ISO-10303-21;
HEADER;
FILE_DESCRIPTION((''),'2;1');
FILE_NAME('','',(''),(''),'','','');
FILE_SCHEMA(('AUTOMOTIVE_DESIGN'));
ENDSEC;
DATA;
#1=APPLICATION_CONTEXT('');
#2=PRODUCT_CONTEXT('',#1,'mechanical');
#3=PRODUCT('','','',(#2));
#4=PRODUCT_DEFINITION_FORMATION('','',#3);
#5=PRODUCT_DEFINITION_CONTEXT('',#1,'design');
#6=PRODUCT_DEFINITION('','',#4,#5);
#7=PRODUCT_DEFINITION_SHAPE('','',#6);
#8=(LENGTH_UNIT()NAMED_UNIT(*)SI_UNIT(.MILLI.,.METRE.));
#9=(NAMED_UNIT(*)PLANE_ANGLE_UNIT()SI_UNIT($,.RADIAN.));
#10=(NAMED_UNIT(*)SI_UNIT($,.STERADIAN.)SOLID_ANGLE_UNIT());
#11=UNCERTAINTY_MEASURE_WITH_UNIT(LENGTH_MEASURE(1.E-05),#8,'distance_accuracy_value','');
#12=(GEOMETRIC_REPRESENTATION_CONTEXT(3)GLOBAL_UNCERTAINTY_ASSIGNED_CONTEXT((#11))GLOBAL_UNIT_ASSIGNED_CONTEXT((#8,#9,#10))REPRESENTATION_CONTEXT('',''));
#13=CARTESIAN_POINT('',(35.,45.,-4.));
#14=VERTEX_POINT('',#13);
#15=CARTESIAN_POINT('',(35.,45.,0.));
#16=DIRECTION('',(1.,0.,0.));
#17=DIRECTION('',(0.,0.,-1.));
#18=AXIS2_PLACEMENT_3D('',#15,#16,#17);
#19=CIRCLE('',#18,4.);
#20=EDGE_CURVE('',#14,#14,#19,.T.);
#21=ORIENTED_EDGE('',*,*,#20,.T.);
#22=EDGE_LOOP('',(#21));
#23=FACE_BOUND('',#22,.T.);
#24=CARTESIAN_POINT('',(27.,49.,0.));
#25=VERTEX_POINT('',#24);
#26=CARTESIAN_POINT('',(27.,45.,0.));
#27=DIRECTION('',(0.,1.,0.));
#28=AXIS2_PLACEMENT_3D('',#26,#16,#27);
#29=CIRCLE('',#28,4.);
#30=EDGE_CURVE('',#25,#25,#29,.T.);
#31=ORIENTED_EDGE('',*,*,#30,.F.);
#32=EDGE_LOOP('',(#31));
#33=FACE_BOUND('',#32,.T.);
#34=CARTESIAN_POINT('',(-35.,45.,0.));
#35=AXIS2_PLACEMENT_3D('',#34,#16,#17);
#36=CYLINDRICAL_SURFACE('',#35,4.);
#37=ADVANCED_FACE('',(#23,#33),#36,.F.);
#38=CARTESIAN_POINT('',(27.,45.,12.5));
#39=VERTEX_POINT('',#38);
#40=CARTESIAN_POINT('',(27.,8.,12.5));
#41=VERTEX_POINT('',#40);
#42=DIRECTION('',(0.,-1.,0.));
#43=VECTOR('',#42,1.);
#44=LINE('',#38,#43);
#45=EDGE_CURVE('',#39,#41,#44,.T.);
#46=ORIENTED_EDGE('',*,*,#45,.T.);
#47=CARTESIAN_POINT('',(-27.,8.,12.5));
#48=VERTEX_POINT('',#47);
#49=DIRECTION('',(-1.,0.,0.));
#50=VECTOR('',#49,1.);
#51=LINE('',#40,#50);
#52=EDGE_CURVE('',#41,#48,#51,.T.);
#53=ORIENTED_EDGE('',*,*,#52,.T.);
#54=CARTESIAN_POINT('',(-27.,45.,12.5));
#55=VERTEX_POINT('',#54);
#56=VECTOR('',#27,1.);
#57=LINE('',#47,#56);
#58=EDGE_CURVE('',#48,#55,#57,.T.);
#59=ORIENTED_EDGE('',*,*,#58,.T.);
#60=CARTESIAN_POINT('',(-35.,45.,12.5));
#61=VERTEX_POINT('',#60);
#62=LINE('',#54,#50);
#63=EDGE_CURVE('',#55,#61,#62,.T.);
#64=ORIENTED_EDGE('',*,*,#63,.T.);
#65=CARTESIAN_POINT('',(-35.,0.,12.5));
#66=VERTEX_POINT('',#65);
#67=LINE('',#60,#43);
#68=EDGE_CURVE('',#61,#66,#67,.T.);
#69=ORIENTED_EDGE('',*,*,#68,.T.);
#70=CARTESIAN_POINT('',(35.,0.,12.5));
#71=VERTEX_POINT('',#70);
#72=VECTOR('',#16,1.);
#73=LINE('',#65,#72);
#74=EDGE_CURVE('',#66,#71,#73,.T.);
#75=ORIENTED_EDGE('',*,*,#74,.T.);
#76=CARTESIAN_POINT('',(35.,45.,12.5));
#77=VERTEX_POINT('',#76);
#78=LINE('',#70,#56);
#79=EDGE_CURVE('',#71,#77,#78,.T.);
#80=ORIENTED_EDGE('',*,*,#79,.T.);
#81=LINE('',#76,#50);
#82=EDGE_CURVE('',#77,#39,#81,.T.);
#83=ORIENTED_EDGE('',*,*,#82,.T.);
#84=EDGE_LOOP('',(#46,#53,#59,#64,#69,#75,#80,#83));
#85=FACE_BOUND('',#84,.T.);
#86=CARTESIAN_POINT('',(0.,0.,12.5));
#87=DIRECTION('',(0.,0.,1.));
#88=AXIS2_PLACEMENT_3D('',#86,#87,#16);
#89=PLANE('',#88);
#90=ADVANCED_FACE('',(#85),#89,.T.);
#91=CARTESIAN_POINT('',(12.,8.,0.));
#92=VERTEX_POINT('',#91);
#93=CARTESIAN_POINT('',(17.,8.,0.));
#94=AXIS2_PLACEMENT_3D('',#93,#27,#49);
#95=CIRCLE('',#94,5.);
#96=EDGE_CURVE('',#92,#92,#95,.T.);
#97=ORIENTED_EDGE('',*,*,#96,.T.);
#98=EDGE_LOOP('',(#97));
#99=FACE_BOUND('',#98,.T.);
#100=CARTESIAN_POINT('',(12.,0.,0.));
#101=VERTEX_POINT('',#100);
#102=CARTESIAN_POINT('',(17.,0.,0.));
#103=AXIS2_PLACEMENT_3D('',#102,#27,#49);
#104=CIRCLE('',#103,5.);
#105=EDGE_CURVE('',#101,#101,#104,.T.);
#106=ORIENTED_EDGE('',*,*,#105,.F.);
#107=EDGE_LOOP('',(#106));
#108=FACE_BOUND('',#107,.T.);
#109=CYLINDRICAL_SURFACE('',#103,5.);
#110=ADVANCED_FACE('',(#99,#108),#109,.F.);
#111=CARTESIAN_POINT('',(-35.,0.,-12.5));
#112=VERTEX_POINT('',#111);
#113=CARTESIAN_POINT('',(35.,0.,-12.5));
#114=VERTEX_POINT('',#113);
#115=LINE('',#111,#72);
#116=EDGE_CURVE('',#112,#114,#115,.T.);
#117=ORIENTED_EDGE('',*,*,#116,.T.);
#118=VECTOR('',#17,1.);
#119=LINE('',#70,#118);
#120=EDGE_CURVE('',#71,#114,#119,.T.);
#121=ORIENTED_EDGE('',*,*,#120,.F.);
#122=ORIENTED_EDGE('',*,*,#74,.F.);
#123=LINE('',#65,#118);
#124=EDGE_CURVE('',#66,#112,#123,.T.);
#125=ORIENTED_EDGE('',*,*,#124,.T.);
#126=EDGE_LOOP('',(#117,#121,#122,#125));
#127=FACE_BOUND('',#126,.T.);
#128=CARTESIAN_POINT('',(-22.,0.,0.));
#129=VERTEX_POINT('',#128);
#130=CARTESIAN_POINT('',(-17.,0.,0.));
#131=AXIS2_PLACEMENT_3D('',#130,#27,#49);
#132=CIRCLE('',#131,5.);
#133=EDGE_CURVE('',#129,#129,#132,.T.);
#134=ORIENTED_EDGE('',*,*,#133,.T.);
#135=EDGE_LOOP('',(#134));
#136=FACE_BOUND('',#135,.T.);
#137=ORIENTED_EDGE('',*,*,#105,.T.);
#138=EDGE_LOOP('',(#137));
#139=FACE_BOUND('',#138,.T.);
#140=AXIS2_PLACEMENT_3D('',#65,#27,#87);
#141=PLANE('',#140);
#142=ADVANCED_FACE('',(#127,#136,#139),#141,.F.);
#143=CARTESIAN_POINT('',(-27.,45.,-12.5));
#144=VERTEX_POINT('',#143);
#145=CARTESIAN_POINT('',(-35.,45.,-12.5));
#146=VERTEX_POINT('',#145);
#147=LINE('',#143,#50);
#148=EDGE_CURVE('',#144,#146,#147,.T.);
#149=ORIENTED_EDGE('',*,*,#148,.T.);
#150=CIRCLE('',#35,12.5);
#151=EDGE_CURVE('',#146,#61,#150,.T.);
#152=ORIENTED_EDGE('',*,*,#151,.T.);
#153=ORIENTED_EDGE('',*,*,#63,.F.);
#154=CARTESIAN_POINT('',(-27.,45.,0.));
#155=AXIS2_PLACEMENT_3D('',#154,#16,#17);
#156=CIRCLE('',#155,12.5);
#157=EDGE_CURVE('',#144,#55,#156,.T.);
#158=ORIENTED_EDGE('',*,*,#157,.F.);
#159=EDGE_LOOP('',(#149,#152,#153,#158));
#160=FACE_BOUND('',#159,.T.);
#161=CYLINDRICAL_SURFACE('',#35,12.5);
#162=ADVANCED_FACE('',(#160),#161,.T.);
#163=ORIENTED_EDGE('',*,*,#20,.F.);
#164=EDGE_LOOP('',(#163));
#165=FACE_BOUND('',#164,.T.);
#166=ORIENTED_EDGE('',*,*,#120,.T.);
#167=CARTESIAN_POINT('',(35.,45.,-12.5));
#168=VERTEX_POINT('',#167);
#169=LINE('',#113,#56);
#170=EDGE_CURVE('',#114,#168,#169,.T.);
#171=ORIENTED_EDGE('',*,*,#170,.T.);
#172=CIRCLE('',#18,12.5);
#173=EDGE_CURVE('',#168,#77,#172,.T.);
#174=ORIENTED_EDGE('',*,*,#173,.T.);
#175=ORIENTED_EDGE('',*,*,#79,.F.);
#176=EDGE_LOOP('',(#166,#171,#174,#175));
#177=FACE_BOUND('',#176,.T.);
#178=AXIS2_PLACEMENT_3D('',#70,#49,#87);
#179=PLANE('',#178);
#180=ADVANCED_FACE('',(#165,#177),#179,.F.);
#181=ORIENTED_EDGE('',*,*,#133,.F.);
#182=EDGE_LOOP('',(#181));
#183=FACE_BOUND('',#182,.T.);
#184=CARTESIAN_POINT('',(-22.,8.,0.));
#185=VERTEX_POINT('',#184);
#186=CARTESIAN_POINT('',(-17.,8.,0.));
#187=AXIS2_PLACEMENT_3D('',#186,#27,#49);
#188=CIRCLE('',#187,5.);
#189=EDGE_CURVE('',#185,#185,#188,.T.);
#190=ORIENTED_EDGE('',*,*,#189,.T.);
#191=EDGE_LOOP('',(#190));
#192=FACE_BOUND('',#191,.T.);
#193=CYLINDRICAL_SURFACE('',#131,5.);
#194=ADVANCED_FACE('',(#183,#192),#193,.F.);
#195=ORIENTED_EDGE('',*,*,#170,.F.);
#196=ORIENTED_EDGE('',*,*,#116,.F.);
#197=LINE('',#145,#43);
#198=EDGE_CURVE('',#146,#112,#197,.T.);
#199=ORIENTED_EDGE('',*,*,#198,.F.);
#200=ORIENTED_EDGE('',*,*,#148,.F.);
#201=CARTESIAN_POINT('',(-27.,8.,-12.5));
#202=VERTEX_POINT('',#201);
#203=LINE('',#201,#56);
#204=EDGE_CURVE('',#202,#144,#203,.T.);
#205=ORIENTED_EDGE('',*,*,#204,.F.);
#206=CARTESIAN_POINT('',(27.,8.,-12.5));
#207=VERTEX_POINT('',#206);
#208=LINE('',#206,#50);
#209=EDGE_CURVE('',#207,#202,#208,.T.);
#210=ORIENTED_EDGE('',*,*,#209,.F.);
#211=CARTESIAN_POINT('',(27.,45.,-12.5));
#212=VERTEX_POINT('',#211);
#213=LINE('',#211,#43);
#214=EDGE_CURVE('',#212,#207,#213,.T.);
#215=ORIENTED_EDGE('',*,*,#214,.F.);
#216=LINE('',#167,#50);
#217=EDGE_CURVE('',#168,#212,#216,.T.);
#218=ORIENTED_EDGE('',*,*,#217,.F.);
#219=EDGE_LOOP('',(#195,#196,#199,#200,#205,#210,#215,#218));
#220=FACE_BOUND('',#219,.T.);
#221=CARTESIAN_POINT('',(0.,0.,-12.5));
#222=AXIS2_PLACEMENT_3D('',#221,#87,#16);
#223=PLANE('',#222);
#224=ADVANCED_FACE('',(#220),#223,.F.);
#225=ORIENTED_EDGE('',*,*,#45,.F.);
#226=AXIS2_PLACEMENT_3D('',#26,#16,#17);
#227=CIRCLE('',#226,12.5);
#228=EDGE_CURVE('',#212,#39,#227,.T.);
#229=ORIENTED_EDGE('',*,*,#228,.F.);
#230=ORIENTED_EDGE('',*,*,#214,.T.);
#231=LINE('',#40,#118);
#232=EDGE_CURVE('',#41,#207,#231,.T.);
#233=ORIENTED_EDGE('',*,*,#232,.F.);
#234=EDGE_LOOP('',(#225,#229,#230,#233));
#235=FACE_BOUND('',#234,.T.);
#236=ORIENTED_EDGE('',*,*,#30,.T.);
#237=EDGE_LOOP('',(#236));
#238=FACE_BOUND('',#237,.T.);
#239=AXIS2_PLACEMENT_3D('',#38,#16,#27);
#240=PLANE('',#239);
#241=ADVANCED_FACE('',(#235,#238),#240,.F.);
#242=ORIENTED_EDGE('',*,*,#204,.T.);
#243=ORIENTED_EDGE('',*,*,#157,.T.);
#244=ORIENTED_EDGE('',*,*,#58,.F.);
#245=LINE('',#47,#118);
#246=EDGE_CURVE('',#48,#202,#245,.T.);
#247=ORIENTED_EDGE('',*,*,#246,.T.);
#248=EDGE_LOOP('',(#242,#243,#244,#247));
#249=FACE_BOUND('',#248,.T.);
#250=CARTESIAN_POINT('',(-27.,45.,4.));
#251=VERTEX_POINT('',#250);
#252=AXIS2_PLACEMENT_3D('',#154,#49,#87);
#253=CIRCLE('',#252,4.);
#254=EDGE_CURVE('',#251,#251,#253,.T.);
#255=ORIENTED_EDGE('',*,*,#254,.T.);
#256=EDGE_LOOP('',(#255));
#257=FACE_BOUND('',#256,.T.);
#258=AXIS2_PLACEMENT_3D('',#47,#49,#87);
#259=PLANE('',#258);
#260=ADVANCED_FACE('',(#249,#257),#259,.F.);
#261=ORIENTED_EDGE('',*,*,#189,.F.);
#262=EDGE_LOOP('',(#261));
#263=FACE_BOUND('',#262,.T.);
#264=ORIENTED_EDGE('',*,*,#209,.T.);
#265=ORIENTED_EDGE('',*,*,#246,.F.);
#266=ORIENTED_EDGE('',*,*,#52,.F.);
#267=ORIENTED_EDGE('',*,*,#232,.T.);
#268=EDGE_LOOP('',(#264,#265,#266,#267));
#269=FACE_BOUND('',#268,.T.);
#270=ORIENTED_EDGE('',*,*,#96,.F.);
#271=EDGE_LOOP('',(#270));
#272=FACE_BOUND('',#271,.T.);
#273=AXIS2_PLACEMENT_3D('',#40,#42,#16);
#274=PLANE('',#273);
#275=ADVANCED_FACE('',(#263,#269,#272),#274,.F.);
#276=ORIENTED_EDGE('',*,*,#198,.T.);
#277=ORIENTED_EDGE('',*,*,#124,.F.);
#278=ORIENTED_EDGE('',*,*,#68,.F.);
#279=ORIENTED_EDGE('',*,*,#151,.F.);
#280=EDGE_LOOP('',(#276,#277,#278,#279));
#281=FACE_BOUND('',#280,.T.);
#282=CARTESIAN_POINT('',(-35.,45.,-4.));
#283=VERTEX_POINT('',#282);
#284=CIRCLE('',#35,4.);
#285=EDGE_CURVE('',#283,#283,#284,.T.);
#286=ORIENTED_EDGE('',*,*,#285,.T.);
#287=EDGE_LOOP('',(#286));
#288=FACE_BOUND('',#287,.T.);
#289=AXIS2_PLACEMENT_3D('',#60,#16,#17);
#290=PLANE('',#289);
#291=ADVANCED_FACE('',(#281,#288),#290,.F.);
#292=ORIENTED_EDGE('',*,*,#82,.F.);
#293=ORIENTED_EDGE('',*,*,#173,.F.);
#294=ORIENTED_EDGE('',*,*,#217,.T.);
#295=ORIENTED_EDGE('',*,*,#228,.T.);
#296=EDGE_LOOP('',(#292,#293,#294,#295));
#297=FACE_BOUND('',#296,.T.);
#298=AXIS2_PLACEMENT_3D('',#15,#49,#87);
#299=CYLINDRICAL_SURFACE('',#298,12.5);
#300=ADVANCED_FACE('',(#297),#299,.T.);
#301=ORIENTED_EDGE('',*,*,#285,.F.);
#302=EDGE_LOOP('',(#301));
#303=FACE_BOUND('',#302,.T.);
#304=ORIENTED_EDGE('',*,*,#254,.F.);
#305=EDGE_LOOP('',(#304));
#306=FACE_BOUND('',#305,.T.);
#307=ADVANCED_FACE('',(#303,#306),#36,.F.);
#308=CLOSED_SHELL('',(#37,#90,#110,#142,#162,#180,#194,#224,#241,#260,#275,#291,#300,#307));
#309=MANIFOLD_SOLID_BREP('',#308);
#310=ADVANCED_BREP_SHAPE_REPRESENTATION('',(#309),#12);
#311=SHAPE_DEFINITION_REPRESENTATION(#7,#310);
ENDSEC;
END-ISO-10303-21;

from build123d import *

# Parameters (mm, degrees)
ESTRUSIONE_ESTRUSIONE1_DEPTH  = 12.5
ESTRUSIONE_ESTRUSIONE2_START  = 27
SCHIZZO2_R                    = 12.5
ESTRUSIONE_ESTRUSIONE2_DEPTH  = 8
TAGLIO_ESTRUSIONE1_DEPTH      = 69.465319688
TAGLIO_ESTRUSIONE1_DEPTH_BACK = 69.465319688
SCHIZZO3_R                    = 4
SCHIZZO4_R                    = 5
TAGLIO_ESTRUSIONE2_DEPTH      = 62.899111464


with BuildPart() as part:
    # Schizzo1 → Estrusione-Estrusione1 (new, symmetric)
    with BuildSketch(Plane.XY):
        Polygon((-35, 0), (35, 0), (35, 45), (27, 45), (27, 8), (-27, 8), (-27, 45), (-35, 45), align=None)
    extrude(amount=ESTRUSIONE_ESTRUSIONE1_DEPTH, both=True)

    # Schizzo2 → Estrusione-Estrusione2 (add)
    with BuildSketch(Plane(origin=(0, 0, 0), x_dir=(0, 0, -1), z_dir=(1, 0, 0)).offset(ESTRUSIONE_ESTRUSIONE2_START)):
        with Locations((0, 45)):
            Circle(SCHIZZO2_R)
    estrusione_estrusione2 = extrude(amount=ESTRUSIONE_ESTRUSIONE2_DEPTH)

    # Specchia1: Estrusione-Estrusione2 across plane
    add(estrusione_estrusione2.mirror(Plane(origin=(0, 0, 0), x_dir=(0, 0, 1), z_dir=(1, 0, 0))))

    # Schizzo3 → Taglio-Estrusione1 (cut, two sides: drawn at the far end of the back side and taken through both)
    with BuildSketch(Plane(origin=(0, 0, 0), x_dir=(0, 0, -1), z_dir=(1, 0, 0)).offset(-TAGLIO_ESTRUSIONE1_DEPTH_BACK)):
        with Locations((0, 45)):
            Circle(SCHIZZO3_R)
    extrude(amount=TAGLIO_ESTRUSIONE1_DEPTH + TAGLIO_ESTRUSIONE1_DEPTH_BACK, mode=Mode.SUBTRACT)

    # Schizzo4 → Taglio-Estrusione2 (cut, through all)
    with BuildSketch(Plane(origin=(0, 8, 0), x_dir=(1, 0, 0), z_dir=(0, 1, 0))):
        with Locations(Location((-17, 0, 0), (0, 0, 180))):
            Circle(SCHIZZO4_R)
        with Locations(Location((17, 0, 0), (0, 0, 180))):
            Circle(SCHIZZO4_R)
    extrude(amount=-TAGLIO_ESTRUSIONE2_DEPTH, mode=Mode.SUBTRACT)


solid = part.part
